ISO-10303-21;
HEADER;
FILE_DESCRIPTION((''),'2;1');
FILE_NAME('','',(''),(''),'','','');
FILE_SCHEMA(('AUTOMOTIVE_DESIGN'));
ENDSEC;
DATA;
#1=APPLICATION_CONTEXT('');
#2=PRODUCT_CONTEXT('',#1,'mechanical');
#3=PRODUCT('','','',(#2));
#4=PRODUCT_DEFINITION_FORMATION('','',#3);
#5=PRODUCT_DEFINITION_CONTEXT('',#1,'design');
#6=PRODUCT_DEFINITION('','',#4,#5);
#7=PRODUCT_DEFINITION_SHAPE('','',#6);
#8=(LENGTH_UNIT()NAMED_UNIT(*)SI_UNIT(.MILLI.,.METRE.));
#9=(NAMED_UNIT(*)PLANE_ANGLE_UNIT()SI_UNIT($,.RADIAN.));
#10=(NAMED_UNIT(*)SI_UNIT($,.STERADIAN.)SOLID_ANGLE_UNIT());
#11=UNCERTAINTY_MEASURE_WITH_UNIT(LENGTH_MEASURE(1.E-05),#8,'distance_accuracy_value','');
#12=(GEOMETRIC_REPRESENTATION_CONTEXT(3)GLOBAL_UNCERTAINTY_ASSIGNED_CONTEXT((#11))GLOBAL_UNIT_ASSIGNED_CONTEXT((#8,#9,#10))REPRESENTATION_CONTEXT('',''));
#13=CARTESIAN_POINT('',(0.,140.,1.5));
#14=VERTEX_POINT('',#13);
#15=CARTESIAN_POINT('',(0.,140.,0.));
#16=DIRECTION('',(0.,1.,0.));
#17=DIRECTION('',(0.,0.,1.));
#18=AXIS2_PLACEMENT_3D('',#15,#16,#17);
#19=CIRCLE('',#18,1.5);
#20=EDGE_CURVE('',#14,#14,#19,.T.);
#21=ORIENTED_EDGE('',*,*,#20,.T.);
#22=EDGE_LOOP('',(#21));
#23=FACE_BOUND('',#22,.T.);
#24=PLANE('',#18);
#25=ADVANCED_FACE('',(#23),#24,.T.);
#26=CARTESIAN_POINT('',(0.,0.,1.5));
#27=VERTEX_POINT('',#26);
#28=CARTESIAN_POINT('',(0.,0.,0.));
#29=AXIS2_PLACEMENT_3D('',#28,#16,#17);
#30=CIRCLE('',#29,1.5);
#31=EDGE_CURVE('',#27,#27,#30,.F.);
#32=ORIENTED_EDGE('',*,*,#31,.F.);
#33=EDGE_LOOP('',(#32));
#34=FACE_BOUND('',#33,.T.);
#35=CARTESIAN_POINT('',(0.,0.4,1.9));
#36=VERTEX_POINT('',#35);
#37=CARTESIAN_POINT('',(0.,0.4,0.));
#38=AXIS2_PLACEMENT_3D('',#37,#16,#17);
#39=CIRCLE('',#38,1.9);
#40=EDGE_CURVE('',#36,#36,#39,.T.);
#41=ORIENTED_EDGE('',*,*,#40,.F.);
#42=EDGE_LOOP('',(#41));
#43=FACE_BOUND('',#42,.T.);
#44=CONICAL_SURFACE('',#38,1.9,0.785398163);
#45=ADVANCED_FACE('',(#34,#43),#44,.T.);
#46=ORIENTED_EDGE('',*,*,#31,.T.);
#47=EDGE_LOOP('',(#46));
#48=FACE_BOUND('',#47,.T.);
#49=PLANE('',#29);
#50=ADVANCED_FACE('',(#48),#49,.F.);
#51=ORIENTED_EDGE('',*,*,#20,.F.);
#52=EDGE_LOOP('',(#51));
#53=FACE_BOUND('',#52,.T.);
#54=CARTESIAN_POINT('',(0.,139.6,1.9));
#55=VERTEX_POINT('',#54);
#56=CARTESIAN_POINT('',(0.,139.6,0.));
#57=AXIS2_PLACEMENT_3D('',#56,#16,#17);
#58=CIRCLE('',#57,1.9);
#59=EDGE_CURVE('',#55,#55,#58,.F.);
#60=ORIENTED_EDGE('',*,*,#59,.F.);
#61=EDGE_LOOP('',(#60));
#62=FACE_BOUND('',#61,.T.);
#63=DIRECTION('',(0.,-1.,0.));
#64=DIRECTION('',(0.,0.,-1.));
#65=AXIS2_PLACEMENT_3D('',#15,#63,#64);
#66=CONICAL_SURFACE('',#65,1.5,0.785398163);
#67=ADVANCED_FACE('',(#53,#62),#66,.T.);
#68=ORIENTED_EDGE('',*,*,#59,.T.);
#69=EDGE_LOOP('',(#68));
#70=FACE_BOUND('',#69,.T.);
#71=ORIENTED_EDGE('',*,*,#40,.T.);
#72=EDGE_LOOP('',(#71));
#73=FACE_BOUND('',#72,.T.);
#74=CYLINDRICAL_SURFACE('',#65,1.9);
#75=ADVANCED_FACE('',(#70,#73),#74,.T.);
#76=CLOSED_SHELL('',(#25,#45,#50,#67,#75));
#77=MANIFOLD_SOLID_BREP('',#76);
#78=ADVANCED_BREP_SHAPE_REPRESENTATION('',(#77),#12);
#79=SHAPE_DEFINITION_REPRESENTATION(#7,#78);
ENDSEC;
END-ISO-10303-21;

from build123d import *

# Parameters (mm, degrees)
M4_DIAMETER_SKETCH_R = 1.9
BOSS_EXTRUDE1_DEPTH  = 140
CHAMFER1_SIZE        = 0.4


with BuildPart() as part:
    # m4 diameter sketch → Boss-Extrude1 (new body)
    with BuildSketch(Plane(origin=(0, 0, 0), x_dir=(1, 0, 0), z_dir=(0, 1, 0))):
        with Locations(Location((0, 0, 0), (0, 0, 270))):
            Circle(M4_DIAMETER_SKETCH_R)
    extrude(amount=BOSS_EXTRUDE1_DEPTH)

    # Chamfer1
    chamfer1_edges = [part.edges().sort_by_distance(p)[0] for p in [
        (0, 0, -1.9),
        (0, 140, -1.9),
    ]]
    chamfer(chamfer1_edges, length=CHAMFER1_SIZE)


solid = part.part
